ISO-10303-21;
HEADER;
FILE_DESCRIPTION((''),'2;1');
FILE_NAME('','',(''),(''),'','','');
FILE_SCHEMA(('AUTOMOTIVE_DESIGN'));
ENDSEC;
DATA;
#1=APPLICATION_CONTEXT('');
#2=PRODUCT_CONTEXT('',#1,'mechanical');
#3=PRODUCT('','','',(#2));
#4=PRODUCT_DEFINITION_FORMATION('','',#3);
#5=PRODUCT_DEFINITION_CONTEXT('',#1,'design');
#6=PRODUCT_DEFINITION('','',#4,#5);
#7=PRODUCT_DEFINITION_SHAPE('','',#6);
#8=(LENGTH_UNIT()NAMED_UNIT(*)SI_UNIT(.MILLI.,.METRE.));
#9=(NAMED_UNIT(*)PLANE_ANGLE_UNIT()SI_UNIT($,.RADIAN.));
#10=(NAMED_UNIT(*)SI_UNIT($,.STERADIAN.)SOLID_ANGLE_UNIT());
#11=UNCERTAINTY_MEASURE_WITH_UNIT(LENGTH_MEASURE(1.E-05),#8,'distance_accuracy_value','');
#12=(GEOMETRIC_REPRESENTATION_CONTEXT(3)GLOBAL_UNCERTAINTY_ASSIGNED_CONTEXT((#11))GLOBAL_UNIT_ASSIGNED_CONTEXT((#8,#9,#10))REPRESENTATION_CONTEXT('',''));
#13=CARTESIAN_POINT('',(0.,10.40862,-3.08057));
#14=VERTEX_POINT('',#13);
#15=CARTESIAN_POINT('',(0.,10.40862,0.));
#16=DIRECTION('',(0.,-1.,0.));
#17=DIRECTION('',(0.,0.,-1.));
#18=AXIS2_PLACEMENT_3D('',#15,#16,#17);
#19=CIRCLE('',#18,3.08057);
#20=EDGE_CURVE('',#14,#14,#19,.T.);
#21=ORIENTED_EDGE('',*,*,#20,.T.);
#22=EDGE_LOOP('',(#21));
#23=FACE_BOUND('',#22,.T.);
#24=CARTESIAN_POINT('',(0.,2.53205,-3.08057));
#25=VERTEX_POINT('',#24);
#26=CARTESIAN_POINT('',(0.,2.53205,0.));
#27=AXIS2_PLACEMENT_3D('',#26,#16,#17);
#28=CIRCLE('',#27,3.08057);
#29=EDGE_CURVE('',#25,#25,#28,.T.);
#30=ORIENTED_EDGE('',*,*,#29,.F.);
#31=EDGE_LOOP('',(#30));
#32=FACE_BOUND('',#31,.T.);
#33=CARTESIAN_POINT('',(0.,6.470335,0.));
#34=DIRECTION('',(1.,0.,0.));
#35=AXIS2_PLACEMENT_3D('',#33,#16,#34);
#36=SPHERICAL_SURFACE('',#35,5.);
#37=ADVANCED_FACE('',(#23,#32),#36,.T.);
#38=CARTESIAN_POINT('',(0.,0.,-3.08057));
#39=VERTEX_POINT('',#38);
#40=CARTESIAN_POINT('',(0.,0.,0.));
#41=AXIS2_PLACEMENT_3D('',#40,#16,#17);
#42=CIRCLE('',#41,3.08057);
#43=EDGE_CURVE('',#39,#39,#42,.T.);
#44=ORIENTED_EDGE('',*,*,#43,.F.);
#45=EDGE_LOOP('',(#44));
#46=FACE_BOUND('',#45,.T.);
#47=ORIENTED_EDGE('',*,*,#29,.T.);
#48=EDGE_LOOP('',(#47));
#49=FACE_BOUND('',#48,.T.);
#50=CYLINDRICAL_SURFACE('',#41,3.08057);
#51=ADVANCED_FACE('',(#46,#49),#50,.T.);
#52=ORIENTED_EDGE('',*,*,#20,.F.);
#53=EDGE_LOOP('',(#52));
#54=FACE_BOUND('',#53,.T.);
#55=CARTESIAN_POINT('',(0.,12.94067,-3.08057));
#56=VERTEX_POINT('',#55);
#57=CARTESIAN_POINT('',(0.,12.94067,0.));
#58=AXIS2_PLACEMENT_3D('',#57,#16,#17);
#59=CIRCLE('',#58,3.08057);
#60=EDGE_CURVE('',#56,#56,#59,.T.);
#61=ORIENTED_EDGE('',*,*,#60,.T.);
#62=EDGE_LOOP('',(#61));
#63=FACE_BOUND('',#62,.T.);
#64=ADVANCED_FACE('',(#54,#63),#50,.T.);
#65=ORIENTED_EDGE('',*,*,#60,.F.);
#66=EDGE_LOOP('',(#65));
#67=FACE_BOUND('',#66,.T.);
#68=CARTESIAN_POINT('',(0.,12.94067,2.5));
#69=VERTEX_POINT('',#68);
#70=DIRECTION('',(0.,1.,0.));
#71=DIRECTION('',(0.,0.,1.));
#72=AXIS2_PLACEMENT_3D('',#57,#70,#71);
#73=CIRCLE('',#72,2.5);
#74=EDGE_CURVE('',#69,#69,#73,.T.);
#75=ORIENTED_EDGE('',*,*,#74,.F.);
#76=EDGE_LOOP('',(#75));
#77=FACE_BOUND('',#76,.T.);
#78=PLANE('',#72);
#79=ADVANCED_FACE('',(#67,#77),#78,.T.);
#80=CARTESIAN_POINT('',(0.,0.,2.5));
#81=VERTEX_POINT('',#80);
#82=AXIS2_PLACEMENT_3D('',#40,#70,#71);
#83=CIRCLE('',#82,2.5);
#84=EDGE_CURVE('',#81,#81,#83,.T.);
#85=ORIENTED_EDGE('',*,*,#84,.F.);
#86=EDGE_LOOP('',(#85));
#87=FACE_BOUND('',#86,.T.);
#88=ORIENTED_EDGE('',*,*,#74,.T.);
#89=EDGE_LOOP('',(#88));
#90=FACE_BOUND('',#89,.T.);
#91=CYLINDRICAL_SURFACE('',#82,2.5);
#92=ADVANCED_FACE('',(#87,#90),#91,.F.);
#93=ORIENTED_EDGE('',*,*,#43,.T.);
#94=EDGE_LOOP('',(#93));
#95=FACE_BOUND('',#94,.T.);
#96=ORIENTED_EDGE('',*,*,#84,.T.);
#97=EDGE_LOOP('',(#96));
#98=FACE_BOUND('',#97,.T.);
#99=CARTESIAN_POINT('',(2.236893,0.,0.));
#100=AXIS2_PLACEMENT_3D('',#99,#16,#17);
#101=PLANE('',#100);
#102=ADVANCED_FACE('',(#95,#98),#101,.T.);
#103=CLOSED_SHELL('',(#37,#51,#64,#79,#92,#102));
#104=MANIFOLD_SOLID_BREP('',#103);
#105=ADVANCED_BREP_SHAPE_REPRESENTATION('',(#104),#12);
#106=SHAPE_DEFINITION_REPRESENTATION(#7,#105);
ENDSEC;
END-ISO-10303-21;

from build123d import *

# Parameters (mm, degrees)
SKETCH3_R          = 2.5
CUT_EXTRUDE1_DEPTH = 13.94067


with BuildPart() as part:
    # Sketch2 → Revolve1 (revolve)
    with BuildSketch(Plane.XY):
        with BuildLine():
            Line((0, 12.94067), (2.236893325, 12.94067))
            Line((2.236893325, 12.94067), (3.080570164, 12.94067))
            Line((3.080570164, 12.94067), (3.080570164, 10.408619838))
            ThreePointArc((3.080570164, 10.408619838), (5, 6.470335), (3.080570164, 2.532050162))
            Line((3.080570164, 2.532050162), (3.080570164, 0))
            Line((3.080570164, 0), (2.236893325, 0))
            Line((2.236893325, 0), (0, 0))
            Line((0, 0), (0, 12.94067))
        make_face()
    revolve(axis=Axis((0, 0, 0), (0, 1, 0)))

    # Sketch3 → Cut-Extrude1 (cut, through all)
    with BuildSketch(Plane(origin=(0, 12.94067, 0), x_dir=(1, 0, 0), z_dir=(0, 1, 0))):
        Circle(SKETCH3_R)
    extrude(amount=-CUT_EXTRUDE1_DEPTH, mode=Mode.SUBTRACT)


solid = part.part
